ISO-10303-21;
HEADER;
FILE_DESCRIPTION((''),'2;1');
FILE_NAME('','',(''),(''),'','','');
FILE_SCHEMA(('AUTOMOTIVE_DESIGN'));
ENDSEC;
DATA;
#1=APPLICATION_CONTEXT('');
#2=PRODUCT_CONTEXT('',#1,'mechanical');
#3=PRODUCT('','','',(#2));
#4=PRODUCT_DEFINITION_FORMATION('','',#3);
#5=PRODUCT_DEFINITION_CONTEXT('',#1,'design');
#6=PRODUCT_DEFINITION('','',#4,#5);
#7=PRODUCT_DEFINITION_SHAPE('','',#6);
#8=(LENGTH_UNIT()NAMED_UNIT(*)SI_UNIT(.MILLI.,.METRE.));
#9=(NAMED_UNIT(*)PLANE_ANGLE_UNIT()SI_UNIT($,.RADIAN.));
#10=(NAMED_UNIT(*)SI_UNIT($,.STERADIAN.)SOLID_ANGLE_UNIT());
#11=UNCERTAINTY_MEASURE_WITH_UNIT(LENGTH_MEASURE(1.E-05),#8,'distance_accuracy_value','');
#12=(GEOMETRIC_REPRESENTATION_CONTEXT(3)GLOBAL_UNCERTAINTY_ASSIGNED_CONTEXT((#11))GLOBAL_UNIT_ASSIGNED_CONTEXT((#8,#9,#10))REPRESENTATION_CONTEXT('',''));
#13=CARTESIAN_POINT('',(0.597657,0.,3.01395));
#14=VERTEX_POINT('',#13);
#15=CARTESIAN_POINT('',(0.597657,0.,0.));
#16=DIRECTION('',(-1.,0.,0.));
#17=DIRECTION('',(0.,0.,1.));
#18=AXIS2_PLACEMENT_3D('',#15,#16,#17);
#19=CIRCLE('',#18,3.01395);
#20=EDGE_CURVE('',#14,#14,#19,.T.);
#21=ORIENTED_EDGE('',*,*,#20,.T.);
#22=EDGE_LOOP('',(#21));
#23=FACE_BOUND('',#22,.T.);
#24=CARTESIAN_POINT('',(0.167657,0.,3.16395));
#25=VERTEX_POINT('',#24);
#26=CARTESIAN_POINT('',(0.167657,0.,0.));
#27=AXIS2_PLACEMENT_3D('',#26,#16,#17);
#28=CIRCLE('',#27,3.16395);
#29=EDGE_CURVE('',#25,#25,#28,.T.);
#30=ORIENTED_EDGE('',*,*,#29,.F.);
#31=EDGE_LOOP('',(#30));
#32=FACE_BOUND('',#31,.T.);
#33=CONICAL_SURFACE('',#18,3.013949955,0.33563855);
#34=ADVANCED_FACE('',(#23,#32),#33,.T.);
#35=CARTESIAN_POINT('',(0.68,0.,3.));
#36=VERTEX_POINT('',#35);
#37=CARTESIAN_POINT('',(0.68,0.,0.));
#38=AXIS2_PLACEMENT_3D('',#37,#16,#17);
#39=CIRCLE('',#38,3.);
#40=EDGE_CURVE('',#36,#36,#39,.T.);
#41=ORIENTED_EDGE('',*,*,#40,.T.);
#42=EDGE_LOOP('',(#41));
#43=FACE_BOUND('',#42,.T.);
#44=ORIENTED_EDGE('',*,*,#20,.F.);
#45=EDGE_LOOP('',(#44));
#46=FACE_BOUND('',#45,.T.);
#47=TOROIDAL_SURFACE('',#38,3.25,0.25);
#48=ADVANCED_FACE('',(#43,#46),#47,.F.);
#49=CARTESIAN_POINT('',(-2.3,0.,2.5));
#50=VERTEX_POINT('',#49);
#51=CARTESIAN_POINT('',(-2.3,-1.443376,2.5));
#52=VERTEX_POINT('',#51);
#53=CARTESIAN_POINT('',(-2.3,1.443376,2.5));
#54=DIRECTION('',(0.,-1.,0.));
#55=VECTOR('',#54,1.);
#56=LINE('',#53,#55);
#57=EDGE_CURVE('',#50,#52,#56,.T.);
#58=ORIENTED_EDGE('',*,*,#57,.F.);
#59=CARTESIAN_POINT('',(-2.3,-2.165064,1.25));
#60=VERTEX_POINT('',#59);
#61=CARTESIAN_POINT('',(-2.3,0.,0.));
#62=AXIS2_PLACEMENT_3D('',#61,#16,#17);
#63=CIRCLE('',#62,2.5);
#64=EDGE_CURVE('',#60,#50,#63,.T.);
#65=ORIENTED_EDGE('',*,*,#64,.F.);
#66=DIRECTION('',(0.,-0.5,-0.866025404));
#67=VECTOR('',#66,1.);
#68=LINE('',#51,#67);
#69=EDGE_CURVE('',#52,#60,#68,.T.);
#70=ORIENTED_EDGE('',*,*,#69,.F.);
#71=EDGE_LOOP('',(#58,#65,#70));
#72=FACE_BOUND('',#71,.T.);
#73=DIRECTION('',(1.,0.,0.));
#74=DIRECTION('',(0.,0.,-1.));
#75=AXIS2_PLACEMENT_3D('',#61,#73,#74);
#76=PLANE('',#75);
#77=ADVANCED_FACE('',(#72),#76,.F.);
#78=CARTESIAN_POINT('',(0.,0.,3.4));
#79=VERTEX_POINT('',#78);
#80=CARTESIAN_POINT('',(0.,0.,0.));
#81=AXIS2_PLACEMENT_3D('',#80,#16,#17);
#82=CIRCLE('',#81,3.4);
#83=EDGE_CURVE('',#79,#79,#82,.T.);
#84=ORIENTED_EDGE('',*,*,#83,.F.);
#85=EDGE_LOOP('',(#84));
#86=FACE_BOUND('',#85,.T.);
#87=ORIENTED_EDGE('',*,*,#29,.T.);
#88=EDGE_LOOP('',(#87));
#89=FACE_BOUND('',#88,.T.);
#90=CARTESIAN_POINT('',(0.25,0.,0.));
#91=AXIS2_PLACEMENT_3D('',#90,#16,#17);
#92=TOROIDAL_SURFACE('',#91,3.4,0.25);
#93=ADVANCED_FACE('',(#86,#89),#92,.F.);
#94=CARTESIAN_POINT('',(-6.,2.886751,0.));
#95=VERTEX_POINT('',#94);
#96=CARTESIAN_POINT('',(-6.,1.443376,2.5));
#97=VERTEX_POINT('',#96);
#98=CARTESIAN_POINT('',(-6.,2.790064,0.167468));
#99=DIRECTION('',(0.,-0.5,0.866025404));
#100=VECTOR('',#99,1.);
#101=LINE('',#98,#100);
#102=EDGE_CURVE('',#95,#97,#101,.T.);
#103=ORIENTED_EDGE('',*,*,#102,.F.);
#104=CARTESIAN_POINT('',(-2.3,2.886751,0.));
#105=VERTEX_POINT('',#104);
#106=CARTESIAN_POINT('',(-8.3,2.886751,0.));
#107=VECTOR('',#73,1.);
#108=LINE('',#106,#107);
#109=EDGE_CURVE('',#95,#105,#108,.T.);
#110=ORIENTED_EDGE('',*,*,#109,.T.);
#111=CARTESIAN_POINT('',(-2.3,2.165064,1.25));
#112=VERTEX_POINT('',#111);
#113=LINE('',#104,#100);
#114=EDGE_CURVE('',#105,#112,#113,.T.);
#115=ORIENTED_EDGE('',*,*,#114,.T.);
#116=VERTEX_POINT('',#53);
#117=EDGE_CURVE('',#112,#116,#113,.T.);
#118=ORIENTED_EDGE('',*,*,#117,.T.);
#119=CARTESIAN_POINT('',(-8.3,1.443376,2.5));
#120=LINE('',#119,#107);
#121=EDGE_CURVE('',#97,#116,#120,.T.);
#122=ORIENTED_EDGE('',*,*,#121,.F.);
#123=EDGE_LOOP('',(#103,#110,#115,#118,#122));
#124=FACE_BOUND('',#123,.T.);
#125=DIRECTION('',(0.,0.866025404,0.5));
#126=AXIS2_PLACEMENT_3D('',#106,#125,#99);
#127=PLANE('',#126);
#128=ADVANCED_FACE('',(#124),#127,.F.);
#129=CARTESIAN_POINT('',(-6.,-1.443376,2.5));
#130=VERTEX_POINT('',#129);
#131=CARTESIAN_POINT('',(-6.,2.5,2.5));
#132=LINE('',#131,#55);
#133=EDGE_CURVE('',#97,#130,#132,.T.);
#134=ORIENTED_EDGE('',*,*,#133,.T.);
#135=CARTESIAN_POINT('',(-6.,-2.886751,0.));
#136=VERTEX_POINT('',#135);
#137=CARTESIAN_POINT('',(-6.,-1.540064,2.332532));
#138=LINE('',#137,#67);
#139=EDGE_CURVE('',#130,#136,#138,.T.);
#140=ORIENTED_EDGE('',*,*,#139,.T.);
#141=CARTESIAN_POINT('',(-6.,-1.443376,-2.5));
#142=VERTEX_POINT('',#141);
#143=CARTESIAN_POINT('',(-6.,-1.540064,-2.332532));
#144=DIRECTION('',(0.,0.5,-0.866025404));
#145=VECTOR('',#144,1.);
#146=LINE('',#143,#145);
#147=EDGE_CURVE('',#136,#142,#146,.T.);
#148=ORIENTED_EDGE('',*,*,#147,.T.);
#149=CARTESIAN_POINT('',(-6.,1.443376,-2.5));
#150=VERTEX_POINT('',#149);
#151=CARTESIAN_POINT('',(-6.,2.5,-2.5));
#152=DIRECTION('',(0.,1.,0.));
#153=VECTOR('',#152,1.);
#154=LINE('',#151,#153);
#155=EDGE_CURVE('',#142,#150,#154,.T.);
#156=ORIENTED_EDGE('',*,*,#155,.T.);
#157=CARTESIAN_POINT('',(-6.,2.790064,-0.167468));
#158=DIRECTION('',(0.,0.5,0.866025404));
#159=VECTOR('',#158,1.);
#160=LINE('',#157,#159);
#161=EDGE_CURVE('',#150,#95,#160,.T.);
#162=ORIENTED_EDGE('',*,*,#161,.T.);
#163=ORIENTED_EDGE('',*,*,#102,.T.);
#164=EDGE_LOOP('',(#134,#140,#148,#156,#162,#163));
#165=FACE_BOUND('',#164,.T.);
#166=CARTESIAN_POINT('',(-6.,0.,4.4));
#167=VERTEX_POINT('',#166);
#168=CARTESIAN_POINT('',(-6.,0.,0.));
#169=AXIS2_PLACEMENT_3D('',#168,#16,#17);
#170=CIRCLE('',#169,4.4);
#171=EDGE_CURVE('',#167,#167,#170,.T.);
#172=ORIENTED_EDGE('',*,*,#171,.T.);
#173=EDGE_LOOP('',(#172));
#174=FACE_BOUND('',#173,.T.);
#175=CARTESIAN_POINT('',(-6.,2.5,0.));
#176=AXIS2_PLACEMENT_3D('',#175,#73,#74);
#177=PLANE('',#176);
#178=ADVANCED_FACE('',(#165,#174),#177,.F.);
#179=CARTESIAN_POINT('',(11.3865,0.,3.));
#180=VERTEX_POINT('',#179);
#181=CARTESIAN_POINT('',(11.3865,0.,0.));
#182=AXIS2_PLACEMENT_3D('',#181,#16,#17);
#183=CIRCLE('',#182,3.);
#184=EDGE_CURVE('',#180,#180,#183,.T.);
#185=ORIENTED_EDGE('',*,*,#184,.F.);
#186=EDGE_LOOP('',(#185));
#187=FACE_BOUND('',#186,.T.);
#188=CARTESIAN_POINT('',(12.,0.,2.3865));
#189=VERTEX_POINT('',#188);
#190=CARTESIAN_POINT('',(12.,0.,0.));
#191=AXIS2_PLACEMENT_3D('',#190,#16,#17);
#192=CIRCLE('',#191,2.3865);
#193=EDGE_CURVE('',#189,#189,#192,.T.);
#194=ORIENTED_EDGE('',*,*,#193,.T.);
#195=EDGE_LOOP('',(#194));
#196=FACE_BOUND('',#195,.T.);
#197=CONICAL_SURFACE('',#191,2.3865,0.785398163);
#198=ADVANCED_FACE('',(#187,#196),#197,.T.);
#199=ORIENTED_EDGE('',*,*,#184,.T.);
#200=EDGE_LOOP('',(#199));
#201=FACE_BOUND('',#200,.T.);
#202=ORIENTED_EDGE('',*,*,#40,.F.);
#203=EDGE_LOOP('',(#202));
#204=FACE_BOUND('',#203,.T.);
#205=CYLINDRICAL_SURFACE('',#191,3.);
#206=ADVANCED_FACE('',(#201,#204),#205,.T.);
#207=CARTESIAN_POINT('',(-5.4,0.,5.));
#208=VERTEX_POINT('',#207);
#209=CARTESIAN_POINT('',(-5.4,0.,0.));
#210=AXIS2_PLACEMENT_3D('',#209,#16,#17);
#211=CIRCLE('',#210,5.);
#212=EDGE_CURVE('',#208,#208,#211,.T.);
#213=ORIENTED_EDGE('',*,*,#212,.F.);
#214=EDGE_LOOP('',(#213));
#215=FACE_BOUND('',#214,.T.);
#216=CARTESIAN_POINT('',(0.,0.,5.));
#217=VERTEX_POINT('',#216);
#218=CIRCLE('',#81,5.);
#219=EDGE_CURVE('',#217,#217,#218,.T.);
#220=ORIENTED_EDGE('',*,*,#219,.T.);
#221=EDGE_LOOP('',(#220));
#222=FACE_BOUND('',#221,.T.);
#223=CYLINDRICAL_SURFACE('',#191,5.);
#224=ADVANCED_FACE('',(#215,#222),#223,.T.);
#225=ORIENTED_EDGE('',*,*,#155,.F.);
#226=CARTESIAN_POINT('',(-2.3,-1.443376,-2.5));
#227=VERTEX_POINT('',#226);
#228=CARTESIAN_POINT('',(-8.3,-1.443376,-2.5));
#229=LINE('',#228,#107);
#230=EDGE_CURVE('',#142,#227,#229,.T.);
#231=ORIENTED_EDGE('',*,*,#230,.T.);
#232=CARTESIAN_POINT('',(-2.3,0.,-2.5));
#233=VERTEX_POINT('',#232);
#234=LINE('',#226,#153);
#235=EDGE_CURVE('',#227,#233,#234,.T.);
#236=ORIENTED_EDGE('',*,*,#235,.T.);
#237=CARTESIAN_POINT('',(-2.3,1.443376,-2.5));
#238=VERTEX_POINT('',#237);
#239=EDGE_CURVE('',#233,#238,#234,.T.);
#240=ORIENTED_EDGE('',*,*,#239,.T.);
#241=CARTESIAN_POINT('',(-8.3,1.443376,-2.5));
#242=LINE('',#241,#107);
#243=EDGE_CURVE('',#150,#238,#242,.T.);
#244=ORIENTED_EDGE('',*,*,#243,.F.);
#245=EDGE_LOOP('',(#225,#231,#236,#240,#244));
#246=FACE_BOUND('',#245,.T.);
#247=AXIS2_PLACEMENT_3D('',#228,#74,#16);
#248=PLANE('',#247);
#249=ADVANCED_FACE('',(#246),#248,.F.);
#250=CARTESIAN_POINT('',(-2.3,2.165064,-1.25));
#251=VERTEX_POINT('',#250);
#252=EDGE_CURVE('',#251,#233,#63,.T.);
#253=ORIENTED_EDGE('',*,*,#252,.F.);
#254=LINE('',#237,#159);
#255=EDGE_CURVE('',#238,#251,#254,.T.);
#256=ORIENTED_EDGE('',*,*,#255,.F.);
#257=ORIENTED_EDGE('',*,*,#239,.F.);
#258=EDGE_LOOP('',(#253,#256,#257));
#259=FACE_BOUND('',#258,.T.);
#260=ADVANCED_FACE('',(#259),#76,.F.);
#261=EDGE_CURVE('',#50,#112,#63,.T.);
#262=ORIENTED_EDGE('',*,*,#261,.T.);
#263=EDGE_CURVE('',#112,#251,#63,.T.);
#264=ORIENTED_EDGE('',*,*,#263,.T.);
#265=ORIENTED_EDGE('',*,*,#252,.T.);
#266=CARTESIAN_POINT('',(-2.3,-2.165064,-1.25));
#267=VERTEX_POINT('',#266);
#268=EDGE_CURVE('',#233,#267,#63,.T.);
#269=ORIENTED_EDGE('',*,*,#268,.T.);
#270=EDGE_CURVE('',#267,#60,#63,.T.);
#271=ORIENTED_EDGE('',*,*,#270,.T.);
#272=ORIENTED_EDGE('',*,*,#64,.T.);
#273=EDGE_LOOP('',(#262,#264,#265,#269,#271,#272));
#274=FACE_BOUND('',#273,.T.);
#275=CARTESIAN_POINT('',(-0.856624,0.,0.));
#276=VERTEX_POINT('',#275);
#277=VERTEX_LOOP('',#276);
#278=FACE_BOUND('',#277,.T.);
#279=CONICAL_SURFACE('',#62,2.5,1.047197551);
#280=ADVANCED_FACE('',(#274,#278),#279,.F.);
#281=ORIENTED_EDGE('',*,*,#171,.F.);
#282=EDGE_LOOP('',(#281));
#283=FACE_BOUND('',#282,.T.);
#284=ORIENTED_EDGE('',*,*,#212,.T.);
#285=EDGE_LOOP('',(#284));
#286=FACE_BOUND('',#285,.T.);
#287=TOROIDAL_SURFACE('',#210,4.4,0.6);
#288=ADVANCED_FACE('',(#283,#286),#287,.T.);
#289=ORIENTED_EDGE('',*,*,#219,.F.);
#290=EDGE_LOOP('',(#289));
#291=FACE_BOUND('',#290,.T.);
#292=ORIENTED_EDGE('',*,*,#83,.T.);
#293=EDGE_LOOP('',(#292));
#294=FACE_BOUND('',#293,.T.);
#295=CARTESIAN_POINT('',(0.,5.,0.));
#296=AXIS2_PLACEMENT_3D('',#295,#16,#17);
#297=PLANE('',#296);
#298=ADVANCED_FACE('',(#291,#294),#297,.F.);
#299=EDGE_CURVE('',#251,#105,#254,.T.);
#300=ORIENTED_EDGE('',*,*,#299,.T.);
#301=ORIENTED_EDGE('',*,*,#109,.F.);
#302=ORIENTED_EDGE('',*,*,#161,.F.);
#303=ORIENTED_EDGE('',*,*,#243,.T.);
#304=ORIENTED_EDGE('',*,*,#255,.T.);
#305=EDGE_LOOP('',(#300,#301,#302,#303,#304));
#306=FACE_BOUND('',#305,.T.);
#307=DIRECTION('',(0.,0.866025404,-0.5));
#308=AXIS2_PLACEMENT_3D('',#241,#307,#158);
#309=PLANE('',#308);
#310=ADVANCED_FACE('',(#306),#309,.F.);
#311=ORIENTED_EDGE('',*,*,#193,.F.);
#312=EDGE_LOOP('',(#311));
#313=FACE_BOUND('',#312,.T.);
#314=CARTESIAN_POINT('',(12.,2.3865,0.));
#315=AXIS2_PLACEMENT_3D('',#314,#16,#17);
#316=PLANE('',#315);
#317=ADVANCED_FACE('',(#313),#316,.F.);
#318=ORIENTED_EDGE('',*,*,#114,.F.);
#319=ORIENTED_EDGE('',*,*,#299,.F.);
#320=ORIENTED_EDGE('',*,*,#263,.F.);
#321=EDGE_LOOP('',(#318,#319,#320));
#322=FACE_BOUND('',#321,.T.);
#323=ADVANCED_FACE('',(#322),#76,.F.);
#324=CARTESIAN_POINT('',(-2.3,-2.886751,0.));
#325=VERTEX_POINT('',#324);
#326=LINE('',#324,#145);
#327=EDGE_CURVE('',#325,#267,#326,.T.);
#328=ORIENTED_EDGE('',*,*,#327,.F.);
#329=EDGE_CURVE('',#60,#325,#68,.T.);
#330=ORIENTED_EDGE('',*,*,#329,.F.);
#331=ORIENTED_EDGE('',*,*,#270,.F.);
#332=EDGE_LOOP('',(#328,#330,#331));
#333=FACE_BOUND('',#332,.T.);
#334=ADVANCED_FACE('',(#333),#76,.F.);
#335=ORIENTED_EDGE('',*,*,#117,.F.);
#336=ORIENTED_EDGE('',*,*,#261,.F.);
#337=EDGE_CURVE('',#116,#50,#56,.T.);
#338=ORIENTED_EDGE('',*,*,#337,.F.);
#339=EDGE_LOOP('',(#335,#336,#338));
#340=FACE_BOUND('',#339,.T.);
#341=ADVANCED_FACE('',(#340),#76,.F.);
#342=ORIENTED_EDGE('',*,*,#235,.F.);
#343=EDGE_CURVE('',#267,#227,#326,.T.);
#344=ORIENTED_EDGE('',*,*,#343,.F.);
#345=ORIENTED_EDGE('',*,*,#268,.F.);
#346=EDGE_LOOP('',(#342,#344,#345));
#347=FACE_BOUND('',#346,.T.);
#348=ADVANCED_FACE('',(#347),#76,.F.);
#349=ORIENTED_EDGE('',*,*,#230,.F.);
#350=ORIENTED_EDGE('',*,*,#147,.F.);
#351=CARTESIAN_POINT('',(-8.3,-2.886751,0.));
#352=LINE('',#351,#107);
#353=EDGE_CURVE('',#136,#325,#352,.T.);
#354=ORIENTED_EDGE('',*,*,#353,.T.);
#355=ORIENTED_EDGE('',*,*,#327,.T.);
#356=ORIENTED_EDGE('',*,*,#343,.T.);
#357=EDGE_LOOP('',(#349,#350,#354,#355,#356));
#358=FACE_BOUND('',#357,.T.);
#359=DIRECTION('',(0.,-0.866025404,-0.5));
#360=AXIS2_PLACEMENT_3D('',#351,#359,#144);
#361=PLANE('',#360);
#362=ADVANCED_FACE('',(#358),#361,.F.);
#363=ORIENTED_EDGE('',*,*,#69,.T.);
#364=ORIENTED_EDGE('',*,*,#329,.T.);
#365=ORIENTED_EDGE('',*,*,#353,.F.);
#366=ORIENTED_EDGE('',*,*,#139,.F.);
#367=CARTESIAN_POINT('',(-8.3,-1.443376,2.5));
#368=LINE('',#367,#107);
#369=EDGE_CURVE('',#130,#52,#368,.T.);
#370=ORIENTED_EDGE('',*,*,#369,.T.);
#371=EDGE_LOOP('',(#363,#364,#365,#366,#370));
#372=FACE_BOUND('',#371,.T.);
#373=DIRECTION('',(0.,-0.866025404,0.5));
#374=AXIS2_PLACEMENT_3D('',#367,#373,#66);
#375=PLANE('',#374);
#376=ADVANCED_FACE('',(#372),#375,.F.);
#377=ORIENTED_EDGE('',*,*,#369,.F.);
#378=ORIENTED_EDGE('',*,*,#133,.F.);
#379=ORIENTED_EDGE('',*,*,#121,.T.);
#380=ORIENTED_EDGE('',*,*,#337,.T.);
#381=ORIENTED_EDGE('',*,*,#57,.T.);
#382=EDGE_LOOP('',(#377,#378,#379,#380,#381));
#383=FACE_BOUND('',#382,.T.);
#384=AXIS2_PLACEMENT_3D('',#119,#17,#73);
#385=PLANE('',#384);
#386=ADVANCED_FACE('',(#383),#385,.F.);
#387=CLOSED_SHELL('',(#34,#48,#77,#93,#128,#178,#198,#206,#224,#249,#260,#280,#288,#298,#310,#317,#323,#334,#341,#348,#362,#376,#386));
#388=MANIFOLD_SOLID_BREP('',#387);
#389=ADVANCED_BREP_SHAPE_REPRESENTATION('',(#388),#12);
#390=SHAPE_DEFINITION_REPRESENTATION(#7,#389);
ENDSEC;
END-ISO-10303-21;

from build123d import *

# Parameters (mm, degrees)
CUT_EXTRUDE_1_DEPTH = 6
SKETCH_3_R          = 3.75
EXTRUDE_1_DEPTH     = 3


with BuildPart() as part:
    # 草图1 → 旋转1 (revolve)
    with BuildSketch(Plane.XY, mode=Mode.PRIVATE) as revolve_1_sk:
        with BuildLine():
            Line((-0.856624327, 0), (-2.3, 2.5))
            Line((-2.3, 2.5), (-6, 2.5))
            Line((-6, 2.5), (-6, 4.4))
            ThreePointArc((-6, 4.4), (-5.824264069, 4.824264069), (-5.4, 5))
            Line((-5.4, 5), (0, 5))
            Line((0, 5), (0, 3.4))
            ThreePointArc((0, 3.4), (0.046179295, 3.255234258), (0.167656961, 3.163949955))
            Line((0.167656961, 3.163949955), (0.597656961, 3.013949955))
            ThreePointArc((0.597656961, 3.013949955), (0.638241835, 3.003512159), (0.68, 3))
            Line((0.68, 3), (11.3865, 3))
            Line((11.3865, 3), (12, 2.3865))
            Line((12, 2.3865), (12, 0))
            Line((12, 0), (-0.856624327, 0))
        make_face()
    revolve(revolve_1_sk.sketch.rotate(Axis((12, 0, 0), (-1, 0, 0)), 270), axis=Axis((12, 0, 0), (-1, 0, 0)))

    # 草图2 → 切除-拉伸1 (cut)
    with BuildSketch(Plane(origin=(-2.3, 0, 0), x_dir=(0, 0, -1), z_dir=(1, 0, 0))):
        Polygon((-2.5, 1.443375673), (-2.5, -1.443375673), (0, -2.886751346), (2.5, -1.443375673), (2.5, 1.443375673), (0, 2.886751346), align=None)
    extrude(amount=-CUT_EXTRUDE_1_DEPTH, mode=Mode.SUBTRACT)


with BuildPart() as body_2:
    # 草图3 → 凸台-拉伸1 (new body)
    with BuildSketch(Plane(origin=(0, 0, 0), x_dir=(0, 0, -1), z_dir=(1, 0, 0))):
        Circle(SKETCH_3_R)
    extrude(amount=-EXTRUDE_1_DEPTH)

    # Delete Face 1: 1 face struck out; the rest of the skin is kept as a surface, the solid goes
    delete_face_1_1_drop = [body_2.part.faces().sort_by_distance(Vector(p))[0] for p in ((-3, 0, 0),)]
    delete_face_1_1 = Shell(body_2.part.faces() - delete_face_1_1_drop)


solid = part.part
